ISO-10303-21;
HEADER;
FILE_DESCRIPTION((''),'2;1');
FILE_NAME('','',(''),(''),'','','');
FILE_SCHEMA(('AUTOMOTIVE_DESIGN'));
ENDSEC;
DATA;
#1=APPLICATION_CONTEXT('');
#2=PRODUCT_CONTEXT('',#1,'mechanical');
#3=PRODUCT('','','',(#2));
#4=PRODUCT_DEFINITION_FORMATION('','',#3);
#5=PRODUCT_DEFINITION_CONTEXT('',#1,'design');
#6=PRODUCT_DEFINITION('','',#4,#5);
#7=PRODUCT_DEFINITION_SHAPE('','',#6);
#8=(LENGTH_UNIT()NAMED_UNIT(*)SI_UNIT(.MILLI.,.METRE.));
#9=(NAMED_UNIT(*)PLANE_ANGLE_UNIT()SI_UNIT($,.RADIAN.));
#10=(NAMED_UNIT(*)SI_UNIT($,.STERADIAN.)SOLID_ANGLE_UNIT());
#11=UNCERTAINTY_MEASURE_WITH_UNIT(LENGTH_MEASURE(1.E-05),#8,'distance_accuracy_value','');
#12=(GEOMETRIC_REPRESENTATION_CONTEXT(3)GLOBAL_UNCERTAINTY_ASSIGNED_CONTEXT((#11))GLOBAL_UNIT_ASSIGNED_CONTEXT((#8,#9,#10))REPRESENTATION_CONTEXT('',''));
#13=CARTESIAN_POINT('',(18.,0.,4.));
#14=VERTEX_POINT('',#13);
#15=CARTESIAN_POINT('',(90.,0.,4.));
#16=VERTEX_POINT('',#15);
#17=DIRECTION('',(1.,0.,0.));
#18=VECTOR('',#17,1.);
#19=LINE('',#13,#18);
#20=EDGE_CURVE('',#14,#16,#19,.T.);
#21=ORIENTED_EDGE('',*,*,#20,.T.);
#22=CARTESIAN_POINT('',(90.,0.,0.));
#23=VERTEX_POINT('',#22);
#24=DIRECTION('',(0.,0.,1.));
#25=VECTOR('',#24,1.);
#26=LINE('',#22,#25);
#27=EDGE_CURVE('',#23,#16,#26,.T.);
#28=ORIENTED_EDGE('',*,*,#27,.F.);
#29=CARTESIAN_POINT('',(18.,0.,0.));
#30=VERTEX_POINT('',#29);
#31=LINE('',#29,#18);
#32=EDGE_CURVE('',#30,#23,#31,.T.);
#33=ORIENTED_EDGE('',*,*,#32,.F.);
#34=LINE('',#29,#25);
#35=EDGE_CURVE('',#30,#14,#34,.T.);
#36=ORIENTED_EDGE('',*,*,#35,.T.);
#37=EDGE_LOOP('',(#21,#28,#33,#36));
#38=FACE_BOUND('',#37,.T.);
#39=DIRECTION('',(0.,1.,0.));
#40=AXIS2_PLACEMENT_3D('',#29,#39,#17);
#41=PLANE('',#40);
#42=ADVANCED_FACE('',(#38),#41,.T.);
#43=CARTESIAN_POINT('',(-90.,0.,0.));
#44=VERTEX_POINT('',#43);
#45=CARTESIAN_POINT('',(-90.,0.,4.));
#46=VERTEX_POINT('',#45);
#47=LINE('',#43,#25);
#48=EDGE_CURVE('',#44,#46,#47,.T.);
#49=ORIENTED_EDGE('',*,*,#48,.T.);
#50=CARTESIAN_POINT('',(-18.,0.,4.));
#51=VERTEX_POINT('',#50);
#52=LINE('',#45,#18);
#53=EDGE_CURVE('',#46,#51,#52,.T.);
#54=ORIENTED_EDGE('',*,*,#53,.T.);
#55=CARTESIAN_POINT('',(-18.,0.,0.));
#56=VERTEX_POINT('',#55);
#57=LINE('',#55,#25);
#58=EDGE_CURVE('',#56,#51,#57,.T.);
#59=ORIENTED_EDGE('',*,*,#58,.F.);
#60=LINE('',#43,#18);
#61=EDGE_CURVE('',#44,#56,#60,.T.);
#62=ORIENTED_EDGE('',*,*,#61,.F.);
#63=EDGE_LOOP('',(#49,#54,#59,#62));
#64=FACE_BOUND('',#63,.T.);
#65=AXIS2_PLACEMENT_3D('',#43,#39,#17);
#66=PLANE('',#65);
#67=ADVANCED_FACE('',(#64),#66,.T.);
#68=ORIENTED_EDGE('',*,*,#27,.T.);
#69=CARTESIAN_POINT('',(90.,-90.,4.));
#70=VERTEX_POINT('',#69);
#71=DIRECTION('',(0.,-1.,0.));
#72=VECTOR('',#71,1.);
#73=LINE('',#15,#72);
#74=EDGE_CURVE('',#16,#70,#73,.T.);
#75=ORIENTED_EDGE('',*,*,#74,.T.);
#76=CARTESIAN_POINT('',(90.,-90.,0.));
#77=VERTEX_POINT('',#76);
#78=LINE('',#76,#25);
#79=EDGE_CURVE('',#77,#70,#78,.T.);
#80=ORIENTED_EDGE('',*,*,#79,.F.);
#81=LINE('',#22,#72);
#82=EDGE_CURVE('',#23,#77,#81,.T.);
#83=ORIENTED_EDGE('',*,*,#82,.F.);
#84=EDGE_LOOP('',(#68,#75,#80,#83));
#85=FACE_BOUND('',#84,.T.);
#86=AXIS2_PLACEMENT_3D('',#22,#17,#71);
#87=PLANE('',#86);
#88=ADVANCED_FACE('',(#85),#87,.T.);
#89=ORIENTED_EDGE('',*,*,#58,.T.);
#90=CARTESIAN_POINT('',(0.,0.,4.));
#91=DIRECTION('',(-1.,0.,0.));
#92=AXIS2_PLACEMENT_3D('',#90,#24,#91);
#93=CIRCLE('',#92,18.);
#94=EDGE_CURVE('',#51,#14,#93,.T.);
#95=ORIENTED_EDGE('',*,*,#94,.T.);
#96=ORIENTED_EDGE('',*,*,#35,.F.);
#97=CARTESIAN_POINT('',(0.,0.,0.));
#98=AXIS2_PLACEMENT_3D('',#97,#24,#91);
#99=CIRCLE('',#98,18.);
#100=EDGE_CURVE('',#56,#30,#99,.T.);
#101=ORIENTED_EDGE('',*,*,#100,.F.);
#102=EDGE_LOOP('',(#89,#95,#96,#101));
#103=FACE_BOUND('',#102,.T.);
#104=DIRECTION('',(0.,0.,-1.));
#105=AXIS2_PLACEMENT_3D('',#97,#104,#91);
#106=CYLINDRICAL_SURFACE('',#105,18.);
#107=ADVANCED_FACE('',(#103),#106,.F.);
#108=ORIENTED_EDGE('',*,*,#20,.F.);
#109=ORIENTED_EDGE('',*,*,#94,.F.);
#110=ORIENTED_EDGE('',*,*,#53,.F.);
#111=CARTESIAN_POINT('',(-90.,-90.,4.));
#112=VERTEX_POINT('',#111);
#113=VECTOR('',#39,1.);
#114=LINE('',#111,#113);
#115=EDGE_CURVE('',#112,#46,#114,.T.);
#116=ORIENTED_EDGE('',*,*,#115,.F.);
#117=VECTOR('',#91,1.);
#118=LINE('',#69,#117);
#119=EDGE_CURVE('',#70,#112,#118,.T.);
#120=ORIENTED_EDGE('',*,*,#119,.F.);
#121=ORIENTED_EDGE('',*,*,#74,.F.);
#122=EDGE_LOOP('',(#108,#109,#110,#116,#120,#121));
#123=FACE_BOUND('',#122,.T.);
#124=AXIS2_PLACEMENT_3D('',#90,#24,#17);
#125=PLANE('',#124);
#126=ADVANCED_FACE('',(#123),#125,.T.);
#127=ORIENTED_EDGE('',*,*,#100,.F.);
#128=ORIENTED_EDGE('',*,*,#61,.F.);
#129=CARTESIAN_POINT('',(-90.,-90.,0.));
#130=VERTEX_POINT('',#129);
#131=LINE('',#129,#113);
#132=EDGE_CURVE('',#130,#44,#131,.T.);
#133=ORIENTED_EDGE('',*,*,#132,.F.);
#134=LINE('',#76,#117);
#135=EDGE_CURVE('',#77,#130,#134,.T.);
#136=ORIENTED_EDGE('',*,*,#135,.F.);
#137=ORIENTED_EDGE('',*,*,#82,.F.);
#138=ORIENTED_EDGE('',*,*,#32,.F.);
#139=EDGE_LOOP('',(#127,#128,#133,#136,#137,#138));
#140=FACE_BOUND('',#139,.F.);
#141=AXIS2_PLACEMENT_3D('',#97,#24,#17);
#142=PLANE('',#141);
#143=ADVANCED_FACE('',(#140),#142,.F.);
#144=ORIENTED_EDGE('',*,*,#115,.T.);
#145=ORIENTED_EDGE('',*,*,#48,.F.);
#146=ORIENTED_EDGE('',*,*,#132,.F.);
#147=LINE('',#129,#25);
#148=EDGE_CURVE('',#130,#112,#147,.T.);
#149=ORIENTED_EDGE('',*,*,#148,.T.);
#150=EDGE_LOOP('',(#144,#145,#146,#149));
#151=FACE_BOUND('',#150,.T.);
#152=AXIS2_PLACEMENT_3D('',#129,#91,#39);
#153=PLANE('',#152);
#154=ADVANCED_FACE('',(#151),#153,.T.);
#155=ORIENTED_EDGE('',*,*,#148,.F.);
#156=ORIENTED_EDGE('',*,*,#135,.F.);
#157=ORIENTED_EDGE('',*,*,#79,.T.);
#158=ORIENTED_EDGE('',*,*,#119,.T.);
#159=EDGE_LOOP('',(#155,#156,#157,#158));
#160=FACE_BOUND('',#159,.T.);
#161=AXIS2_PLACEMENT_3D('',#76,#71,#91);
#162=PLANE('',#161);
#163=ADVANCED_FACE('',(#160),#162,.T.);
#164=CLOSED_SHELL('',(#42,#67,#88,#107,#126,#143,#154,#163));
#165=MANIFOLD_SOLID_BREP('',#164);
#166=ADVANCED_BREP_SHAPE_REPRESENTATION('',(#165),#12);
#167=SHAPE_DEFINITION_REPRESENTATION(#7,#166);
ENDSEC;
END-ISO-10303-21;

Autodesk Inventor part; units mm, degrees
ref_plane "YZ Plane" through (0, 0, 0) normal (1, 0, 0) x (0, 1, 0)
ref_plane "XZ Plane" through (0, 0, 0) normal (0, 1, 0) x (-1, 0, 0)
ref_plane "XY Plane" through (0, 0, 0) normal (0, 0, 1) x (1, 0, 0)
sketch "Sketch1" plane through (0, 0, 0) normal (0, 0, 1) x (1, 0, 0)
  line L0 (90, 0) -> (90, -90)
  line L1 (90, -90) -> (-90, -90)
  line L2 (-90, -90) -> (-90, 0)
  arc A0 (-18, 0) -> (18, 0) centre (0, 0) ccw
  line L3 (-90, 0) -> (-18, 0)
  line L4 (18, 0) -> (90, 0)
  dimension "d0" = 90
  dimension "d1" = 180
  dimension "d2" = 90
  dimension "d3" = 36
  dimension "d6" = 90
  dimension "d7" = 0
extrude "Extrusion1" add sketch "Sketch1" along normal blind 4
equation "\"BendRadius\" = Thickness"
equation "\"BendReliefWidth\" = Thickness"
equation "\"BendReliefDepth\" = 0.5 * Thickness"
equation "\"CornerReliefSize\" = 4 * Thickness"
equation "\"MinimumRemnant\" = 2 * Thickness"
equation "\"TransitionRadius\" = BendRadius"
equation "\"JacobiRadiusSize\" = BendRadius"
equation "\"GapSize\" = Thickness"
equation "\"Thickness\" = 0.5"
properties part number "Joint housing cover"
